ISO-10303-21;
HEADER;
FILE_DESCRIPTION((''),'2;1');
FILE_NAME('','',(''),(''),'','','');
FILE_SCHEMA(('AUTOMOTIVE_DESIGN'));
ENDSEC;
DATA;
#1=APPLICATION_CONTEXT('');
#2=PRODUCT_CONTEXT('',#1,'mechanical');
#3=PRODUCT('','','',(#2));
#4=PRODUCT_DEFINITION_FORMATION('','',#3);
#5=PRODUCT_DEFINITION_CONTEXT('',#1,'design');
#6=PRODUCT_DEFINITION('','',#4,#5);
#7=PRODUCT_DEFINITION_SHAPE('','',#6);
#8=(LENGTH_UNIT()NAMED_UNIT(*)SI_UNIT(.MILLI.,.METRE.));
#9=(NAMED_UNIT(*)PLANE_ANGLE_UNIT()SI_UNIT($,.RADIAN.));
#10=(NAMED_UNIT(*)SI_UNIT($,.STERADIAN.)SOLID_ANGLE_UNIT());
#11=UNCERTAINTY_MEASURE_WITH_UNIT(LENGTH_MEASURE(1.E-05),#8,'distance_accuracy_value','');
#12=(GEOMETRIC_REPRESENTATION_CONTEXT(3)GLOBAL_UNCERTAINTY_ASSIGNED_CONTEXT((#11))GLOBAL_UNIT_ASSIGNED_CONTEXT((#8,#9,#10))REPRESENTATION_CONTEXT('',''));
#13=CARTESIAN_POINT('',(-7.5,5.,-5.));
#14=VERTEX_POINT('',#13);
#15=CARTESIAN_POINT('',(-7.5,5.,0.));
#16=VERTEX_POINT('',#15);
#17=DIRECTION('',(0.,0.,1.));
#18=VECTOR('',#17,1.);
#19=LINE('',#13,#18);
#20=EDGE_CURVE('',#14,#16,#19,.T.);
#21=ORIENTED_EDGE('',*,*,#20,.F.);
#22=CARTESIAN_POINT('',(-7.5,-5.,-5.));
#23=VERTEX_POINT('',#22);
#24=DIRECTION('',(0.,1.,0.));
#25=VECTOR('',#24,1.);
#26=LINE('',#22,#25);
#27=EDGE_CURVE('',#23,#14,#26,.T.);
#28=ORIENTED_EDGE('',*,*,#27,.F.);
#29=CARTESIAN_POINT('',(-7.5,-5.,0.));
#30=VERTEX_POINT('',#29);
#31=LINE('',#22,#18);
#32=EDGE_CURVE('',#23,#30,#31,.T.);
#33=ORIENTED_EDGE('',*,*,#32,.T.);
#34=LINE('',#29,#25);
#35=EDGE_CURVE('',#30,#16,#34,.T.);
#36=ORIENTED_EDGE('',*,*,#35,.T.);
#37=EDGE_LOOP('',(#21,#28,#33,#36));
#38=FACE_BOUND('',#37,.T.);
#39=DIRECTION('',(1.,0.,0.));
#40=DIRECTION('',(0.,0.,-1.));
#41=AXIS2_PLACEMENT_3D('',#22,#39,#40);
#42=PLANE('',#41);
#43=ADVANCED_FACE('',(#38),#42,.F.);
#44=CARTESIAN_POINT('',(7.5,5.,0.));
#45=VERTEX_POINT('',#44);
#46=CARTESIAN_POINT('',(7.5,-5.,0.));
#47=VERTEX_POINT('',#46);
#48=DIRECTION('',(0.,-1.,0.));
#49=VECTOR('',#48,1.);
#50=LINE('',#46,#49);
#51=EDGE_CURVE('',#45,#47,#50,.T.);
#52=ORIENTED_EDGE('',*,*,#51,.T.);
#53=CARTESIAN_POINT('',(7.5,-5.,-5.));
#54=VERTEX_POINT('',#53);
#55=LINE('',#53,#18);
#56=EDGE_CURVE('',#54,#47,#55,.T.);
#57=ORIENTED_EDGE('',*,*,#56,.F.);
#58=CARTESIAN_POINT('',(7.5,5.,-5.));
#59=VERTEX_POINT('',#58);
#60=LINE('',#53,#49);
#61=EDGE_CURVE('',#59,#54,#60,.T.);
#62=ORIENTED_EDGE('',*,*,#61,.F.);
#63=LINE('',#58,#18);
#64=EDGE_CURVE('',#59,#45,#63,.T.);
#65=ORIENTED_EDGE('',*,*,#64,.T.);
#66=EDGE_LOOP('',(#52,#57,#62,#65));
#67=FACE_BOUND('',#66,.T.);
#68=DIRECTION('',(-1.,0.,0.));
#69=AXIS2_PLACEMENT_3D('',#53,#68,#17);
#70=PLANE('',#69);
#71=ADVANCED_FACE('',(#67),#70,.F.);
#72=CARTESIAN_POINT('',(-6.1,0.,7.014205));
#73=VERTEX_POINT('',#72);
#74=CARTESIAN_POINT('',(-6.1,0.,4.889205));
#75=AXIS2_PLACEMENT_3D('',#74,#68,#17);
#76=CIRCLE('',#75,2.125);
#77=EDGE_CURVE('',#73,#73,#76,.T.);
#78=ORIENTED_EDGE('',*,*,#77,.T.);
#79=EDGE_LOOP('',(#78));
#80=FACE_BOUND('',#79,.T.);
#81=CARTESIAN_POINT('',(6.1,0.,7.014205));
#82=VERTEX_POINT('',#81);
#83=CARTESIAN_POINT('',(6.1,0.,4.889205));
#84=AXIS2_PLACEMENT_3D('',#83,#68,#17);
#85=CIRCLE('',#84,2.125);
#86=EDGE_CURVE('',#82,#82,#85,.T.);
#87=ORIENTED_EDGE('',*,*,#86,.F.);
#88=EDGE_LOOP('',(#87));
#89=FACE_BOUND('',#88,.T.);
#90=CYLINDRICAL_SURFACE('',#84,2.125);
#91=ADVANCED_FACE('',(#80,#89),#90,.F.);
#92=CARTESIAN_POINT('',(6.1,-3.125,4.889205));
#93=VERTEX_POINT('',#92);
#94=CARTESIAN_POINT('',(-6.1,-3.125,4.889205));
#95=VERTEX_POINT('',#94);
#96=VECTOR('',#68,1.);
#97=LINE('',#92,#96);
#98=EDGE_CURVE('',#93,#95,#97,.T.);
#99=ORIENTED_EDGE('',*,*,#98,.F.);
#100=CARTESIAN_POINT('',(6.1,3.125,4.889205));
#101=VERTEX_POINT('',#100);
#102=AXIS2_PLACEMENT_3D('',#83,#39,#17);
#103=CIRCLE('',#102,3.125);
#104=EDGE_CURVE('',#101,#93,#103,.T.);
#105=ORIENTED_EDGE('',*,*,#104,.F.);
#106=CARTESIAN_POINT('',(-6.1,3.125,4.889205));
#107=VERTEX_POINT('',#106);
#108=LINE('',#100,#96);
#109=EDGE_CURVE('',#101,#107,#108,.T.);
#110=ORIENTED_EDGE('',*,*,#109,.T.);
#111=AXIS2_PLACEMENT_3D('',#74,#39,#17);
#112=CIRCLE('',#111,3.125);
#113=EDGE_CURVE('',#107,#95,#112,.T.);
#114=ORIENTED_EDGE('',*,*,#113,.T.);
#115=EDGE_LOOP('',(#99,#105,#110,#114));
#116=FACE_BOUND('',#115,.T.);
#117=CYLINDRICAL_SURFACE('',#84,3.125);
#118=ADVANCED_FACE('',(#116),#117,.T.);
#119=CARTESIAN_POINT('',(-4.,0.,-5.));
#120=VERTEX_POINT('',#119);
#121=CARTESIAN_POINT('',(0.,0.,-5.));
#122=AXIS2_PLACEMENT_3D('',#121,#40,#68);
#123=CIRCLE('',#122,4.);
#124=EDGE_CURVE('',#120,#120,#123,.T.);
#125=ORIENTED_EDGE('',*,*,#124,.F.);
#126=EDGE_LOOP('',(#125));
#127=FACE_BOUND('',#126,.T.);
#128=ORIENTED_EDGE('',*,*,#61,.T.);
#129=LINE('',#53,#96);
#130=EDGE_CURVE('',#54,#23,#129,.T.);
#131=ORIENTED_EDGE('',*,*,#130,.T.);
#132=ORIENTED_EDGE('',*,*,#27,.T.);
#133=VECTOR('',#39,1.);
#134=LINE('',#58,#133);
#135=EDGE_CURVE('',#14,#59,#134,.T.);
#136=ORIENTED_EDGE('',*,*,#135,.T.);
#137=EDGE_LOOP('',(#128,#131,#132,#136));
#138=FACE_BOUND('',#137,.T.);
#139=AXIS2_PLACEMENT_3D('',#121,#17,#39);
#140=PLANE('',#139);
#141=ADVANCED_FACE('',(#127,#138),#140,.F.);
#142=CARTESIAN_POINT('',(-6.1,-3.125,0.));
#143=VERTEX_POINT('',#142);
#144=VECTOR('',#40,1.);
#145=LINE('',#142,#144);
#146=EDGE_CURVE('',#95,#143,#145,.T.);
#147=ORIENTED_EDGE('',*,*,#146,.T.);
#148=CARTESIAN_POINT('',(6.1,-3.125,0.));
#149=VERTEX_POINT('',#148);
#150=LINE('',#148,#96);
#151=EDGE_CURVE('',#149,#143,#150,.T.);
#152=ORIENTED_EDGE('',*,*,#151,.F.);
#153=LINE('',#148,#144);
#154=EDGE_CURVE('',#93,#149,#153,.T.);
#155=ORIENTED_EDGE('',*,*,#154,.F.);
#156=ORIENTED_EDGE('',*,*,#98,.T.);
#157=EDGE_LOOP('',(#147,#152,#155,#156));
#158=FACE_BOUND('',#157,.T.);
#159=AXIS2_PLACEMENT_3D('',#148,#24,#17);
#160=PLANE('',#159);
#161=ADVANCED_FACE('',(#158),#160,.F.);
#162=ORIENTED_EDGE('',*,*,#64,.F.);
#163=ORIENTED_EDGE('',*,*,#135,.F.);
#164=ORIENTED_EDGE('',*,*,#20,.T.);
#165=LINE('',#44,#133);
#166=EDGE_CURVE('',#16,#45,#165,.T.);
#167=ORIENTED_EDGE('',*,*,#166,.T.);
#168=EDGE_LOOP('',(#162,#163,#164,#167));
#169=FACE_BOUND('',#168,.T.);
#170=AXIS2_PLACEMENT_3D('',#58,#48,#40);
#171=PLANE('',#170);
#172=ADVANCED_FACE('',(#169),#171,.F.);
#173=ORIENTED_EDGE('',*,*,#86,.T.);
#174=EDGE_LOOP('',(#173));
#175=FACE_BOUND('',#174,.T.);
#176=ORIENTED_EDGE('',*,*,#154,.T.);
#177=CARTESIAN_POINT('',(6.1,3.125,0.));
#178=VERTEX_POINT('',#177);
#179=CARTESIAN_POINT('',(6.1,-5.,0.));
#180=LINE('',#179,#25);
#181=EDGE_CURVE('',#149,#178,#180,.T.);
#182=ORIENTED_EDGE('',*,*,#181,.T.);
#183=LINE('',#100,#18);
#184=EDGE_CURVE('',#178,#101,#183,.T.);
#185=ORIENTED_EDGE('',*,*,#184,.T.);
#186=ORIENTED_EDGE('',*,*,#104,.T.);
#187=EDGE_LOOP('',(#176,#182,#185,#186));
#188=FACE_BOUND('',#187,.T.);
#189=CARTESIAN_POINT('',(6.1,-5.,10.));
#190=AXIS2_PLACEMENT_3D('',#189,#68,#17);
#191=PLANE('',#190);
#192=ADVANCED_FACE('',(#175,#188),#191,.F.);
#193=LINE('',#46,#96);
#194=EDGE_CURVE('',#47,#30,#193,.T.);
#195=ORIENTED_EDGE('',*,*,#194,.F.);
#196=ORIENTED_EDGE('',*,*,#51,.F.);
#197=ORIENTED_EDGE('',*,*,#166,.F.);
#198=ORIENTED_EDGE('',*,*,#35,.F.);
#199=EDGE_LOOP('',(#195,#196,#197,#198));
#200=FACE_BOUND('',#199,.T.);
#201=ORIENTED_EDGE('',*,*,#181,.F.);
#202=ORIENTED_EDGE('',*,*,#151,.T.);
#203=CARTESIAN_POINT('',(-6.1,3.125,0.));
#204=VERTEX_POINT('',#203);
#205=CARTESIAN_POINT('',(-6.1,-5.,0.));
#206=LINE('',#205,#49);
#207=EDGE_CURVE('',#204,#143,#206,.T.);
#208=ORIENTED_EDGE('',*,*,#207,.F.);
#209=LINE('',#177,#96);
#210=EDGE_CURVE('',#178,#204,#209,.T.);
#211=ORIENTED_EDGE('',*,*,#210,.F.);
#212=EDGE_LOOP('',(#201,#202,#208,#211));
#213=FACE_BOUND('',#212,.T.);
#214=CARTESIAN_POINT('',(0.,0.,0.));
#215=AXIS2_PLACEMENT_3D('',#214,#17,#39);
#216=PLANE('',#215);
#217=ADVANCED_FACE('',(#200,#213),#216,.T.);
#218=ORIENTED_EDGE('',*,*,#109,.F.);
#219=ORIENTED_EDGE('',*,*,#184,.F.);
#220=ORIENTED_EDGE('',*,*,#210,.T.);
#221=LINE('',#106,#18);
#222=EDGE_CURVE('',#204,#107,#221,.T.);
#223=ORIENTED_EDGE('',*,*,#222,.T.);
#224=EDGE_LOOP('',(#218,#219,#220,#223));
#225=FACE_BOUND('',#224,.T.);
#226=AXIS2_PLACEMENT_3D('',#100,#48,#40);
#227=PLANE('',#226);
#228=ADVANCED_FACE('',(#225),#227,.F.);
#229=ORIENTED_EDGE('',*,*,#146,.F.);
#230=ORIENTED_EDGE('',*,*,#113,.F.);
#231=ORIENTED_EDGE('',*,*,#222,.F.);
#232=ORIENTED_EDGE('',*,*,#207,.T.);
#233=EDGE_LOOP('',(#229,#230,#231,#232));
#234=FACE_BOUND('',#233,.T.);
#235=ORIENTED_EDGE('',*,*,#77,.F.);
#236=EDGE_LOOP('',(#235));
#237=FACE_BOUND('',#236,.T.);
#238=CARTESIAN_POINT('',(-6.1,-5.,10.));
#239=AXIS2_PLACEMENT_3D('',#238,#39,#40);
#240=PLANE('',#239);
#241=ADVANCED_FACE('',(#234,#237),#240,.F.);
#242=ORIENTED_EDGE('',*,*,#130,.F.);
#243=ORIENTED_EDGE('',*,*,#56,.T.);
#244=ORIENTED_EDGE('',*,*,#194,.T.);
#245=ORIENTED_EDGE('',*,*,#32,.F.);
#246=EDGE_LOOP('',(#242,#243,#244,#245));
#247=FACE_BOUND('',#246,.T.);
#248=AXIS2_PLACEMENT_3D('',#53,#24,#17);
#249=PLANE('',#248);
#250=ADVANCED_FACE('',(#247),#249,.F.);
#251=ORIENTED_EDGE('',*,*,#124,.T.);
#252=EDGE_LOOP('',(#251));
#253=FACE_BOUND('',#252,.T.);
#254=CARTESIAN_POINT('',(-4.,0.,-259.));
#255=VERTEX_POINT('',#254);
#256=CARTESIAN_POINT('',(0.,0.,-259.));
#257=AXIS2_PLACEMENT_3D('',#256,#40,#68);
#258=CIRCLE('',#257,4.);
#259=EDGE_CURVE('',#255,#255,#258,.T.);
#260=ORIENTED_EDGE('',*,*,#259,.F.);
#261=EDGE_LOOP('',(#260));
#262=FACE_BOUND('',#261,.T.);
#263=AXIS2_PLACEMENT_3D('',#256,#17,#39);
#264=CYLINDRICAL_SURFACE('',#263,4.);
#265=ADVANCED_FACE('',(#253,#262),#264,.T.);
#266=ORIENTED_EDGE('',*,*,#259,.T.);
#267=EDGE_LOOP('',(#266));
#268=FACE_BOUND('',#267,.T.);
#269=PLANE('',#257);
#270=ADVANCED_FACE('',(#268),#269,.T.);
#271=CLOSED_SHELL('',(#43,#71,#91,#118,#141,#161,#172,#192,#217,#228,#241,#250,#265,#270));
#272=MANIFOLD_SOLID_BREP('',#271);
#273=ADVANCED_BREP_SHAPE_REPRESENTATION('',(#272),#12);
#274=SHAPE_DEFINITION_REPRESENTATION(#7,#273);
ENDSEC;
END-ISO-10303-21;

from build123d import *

# Parameters (mm, degrees)
SKETCH1_W           = 12.2
SKETCH1_H           = 10
BOSS_EXTRUDE1_DEPTH = 10
SKETCH2_R           = 2.125
CUT_EXTRUDE1_DEPTH  = 12.2
SKETCH3_W           = 15
SKETCH3_H           = 10
BOSS_EXTRUDE2_DEPTH = 5
SKETCH4_R           = 4
BOSS_EXTRUDE3_DEPTH = 254


with BuildPart() as part:
    # Sketch1 → Boss-Extrude1 (new body)
    with BuildSketch(Plane.XY):
        Rectangle(SKETCH1_W, SKETCH1_H)
    extrude(amount=BOSS_EXTRUDE1_DEPTH)

    # Sketch2 → Cut-Extrude1 (cut)
    with BuildSketch(Plane.ZY.offset(6.1)):
        with Locations((4.889205296, 0)):
            Circle(SKETCH2_R)
        with BuildLine():
            Line((4.889205296, 3.125), (0, 3.125))
            Line((0, 3.125), (0, 5))
            Line((0, 5), (10, 5))
            Line((10, 5), (10, -5))
            Line((10, -5), (0, -5))
            Line((0, -5), (0, -3.125))
            Line((0, -3.125), (4.889205296, -3.125))
            ThreePointArc((4.889205296, -3.125), (8.014205296, 0), (4.889205296, 3.125))
        make_face()
    extrude(amount=-CUT_EXTRUDE1_DEPTH, mode=Mode.SUBTRACT)

    # Sketch3 → Boss-Extrude2 (add)
    with BuildSketch(Plane(origin=(0, 0, 0), x_dir=(-1, 0, 0), z_dir=(0, 0, -1))):
        Rectangle(SKETCH3_W, SKETCH3_H)
    extrude(amount=BOSS_EXTRUDE2_DEPTH)

    # Sketch4 → Boss-Extrude3 (add)
    with BuildSketch(Plane(origin=(0, 0, -5), x_dir=(-1, 0, 0), z_dir=(0, 0, -1))):
        Circle(SKETCH4_R)
    extrude(amount=BOSS_EXTRUDE3_DEPTH)


solid = part.part
